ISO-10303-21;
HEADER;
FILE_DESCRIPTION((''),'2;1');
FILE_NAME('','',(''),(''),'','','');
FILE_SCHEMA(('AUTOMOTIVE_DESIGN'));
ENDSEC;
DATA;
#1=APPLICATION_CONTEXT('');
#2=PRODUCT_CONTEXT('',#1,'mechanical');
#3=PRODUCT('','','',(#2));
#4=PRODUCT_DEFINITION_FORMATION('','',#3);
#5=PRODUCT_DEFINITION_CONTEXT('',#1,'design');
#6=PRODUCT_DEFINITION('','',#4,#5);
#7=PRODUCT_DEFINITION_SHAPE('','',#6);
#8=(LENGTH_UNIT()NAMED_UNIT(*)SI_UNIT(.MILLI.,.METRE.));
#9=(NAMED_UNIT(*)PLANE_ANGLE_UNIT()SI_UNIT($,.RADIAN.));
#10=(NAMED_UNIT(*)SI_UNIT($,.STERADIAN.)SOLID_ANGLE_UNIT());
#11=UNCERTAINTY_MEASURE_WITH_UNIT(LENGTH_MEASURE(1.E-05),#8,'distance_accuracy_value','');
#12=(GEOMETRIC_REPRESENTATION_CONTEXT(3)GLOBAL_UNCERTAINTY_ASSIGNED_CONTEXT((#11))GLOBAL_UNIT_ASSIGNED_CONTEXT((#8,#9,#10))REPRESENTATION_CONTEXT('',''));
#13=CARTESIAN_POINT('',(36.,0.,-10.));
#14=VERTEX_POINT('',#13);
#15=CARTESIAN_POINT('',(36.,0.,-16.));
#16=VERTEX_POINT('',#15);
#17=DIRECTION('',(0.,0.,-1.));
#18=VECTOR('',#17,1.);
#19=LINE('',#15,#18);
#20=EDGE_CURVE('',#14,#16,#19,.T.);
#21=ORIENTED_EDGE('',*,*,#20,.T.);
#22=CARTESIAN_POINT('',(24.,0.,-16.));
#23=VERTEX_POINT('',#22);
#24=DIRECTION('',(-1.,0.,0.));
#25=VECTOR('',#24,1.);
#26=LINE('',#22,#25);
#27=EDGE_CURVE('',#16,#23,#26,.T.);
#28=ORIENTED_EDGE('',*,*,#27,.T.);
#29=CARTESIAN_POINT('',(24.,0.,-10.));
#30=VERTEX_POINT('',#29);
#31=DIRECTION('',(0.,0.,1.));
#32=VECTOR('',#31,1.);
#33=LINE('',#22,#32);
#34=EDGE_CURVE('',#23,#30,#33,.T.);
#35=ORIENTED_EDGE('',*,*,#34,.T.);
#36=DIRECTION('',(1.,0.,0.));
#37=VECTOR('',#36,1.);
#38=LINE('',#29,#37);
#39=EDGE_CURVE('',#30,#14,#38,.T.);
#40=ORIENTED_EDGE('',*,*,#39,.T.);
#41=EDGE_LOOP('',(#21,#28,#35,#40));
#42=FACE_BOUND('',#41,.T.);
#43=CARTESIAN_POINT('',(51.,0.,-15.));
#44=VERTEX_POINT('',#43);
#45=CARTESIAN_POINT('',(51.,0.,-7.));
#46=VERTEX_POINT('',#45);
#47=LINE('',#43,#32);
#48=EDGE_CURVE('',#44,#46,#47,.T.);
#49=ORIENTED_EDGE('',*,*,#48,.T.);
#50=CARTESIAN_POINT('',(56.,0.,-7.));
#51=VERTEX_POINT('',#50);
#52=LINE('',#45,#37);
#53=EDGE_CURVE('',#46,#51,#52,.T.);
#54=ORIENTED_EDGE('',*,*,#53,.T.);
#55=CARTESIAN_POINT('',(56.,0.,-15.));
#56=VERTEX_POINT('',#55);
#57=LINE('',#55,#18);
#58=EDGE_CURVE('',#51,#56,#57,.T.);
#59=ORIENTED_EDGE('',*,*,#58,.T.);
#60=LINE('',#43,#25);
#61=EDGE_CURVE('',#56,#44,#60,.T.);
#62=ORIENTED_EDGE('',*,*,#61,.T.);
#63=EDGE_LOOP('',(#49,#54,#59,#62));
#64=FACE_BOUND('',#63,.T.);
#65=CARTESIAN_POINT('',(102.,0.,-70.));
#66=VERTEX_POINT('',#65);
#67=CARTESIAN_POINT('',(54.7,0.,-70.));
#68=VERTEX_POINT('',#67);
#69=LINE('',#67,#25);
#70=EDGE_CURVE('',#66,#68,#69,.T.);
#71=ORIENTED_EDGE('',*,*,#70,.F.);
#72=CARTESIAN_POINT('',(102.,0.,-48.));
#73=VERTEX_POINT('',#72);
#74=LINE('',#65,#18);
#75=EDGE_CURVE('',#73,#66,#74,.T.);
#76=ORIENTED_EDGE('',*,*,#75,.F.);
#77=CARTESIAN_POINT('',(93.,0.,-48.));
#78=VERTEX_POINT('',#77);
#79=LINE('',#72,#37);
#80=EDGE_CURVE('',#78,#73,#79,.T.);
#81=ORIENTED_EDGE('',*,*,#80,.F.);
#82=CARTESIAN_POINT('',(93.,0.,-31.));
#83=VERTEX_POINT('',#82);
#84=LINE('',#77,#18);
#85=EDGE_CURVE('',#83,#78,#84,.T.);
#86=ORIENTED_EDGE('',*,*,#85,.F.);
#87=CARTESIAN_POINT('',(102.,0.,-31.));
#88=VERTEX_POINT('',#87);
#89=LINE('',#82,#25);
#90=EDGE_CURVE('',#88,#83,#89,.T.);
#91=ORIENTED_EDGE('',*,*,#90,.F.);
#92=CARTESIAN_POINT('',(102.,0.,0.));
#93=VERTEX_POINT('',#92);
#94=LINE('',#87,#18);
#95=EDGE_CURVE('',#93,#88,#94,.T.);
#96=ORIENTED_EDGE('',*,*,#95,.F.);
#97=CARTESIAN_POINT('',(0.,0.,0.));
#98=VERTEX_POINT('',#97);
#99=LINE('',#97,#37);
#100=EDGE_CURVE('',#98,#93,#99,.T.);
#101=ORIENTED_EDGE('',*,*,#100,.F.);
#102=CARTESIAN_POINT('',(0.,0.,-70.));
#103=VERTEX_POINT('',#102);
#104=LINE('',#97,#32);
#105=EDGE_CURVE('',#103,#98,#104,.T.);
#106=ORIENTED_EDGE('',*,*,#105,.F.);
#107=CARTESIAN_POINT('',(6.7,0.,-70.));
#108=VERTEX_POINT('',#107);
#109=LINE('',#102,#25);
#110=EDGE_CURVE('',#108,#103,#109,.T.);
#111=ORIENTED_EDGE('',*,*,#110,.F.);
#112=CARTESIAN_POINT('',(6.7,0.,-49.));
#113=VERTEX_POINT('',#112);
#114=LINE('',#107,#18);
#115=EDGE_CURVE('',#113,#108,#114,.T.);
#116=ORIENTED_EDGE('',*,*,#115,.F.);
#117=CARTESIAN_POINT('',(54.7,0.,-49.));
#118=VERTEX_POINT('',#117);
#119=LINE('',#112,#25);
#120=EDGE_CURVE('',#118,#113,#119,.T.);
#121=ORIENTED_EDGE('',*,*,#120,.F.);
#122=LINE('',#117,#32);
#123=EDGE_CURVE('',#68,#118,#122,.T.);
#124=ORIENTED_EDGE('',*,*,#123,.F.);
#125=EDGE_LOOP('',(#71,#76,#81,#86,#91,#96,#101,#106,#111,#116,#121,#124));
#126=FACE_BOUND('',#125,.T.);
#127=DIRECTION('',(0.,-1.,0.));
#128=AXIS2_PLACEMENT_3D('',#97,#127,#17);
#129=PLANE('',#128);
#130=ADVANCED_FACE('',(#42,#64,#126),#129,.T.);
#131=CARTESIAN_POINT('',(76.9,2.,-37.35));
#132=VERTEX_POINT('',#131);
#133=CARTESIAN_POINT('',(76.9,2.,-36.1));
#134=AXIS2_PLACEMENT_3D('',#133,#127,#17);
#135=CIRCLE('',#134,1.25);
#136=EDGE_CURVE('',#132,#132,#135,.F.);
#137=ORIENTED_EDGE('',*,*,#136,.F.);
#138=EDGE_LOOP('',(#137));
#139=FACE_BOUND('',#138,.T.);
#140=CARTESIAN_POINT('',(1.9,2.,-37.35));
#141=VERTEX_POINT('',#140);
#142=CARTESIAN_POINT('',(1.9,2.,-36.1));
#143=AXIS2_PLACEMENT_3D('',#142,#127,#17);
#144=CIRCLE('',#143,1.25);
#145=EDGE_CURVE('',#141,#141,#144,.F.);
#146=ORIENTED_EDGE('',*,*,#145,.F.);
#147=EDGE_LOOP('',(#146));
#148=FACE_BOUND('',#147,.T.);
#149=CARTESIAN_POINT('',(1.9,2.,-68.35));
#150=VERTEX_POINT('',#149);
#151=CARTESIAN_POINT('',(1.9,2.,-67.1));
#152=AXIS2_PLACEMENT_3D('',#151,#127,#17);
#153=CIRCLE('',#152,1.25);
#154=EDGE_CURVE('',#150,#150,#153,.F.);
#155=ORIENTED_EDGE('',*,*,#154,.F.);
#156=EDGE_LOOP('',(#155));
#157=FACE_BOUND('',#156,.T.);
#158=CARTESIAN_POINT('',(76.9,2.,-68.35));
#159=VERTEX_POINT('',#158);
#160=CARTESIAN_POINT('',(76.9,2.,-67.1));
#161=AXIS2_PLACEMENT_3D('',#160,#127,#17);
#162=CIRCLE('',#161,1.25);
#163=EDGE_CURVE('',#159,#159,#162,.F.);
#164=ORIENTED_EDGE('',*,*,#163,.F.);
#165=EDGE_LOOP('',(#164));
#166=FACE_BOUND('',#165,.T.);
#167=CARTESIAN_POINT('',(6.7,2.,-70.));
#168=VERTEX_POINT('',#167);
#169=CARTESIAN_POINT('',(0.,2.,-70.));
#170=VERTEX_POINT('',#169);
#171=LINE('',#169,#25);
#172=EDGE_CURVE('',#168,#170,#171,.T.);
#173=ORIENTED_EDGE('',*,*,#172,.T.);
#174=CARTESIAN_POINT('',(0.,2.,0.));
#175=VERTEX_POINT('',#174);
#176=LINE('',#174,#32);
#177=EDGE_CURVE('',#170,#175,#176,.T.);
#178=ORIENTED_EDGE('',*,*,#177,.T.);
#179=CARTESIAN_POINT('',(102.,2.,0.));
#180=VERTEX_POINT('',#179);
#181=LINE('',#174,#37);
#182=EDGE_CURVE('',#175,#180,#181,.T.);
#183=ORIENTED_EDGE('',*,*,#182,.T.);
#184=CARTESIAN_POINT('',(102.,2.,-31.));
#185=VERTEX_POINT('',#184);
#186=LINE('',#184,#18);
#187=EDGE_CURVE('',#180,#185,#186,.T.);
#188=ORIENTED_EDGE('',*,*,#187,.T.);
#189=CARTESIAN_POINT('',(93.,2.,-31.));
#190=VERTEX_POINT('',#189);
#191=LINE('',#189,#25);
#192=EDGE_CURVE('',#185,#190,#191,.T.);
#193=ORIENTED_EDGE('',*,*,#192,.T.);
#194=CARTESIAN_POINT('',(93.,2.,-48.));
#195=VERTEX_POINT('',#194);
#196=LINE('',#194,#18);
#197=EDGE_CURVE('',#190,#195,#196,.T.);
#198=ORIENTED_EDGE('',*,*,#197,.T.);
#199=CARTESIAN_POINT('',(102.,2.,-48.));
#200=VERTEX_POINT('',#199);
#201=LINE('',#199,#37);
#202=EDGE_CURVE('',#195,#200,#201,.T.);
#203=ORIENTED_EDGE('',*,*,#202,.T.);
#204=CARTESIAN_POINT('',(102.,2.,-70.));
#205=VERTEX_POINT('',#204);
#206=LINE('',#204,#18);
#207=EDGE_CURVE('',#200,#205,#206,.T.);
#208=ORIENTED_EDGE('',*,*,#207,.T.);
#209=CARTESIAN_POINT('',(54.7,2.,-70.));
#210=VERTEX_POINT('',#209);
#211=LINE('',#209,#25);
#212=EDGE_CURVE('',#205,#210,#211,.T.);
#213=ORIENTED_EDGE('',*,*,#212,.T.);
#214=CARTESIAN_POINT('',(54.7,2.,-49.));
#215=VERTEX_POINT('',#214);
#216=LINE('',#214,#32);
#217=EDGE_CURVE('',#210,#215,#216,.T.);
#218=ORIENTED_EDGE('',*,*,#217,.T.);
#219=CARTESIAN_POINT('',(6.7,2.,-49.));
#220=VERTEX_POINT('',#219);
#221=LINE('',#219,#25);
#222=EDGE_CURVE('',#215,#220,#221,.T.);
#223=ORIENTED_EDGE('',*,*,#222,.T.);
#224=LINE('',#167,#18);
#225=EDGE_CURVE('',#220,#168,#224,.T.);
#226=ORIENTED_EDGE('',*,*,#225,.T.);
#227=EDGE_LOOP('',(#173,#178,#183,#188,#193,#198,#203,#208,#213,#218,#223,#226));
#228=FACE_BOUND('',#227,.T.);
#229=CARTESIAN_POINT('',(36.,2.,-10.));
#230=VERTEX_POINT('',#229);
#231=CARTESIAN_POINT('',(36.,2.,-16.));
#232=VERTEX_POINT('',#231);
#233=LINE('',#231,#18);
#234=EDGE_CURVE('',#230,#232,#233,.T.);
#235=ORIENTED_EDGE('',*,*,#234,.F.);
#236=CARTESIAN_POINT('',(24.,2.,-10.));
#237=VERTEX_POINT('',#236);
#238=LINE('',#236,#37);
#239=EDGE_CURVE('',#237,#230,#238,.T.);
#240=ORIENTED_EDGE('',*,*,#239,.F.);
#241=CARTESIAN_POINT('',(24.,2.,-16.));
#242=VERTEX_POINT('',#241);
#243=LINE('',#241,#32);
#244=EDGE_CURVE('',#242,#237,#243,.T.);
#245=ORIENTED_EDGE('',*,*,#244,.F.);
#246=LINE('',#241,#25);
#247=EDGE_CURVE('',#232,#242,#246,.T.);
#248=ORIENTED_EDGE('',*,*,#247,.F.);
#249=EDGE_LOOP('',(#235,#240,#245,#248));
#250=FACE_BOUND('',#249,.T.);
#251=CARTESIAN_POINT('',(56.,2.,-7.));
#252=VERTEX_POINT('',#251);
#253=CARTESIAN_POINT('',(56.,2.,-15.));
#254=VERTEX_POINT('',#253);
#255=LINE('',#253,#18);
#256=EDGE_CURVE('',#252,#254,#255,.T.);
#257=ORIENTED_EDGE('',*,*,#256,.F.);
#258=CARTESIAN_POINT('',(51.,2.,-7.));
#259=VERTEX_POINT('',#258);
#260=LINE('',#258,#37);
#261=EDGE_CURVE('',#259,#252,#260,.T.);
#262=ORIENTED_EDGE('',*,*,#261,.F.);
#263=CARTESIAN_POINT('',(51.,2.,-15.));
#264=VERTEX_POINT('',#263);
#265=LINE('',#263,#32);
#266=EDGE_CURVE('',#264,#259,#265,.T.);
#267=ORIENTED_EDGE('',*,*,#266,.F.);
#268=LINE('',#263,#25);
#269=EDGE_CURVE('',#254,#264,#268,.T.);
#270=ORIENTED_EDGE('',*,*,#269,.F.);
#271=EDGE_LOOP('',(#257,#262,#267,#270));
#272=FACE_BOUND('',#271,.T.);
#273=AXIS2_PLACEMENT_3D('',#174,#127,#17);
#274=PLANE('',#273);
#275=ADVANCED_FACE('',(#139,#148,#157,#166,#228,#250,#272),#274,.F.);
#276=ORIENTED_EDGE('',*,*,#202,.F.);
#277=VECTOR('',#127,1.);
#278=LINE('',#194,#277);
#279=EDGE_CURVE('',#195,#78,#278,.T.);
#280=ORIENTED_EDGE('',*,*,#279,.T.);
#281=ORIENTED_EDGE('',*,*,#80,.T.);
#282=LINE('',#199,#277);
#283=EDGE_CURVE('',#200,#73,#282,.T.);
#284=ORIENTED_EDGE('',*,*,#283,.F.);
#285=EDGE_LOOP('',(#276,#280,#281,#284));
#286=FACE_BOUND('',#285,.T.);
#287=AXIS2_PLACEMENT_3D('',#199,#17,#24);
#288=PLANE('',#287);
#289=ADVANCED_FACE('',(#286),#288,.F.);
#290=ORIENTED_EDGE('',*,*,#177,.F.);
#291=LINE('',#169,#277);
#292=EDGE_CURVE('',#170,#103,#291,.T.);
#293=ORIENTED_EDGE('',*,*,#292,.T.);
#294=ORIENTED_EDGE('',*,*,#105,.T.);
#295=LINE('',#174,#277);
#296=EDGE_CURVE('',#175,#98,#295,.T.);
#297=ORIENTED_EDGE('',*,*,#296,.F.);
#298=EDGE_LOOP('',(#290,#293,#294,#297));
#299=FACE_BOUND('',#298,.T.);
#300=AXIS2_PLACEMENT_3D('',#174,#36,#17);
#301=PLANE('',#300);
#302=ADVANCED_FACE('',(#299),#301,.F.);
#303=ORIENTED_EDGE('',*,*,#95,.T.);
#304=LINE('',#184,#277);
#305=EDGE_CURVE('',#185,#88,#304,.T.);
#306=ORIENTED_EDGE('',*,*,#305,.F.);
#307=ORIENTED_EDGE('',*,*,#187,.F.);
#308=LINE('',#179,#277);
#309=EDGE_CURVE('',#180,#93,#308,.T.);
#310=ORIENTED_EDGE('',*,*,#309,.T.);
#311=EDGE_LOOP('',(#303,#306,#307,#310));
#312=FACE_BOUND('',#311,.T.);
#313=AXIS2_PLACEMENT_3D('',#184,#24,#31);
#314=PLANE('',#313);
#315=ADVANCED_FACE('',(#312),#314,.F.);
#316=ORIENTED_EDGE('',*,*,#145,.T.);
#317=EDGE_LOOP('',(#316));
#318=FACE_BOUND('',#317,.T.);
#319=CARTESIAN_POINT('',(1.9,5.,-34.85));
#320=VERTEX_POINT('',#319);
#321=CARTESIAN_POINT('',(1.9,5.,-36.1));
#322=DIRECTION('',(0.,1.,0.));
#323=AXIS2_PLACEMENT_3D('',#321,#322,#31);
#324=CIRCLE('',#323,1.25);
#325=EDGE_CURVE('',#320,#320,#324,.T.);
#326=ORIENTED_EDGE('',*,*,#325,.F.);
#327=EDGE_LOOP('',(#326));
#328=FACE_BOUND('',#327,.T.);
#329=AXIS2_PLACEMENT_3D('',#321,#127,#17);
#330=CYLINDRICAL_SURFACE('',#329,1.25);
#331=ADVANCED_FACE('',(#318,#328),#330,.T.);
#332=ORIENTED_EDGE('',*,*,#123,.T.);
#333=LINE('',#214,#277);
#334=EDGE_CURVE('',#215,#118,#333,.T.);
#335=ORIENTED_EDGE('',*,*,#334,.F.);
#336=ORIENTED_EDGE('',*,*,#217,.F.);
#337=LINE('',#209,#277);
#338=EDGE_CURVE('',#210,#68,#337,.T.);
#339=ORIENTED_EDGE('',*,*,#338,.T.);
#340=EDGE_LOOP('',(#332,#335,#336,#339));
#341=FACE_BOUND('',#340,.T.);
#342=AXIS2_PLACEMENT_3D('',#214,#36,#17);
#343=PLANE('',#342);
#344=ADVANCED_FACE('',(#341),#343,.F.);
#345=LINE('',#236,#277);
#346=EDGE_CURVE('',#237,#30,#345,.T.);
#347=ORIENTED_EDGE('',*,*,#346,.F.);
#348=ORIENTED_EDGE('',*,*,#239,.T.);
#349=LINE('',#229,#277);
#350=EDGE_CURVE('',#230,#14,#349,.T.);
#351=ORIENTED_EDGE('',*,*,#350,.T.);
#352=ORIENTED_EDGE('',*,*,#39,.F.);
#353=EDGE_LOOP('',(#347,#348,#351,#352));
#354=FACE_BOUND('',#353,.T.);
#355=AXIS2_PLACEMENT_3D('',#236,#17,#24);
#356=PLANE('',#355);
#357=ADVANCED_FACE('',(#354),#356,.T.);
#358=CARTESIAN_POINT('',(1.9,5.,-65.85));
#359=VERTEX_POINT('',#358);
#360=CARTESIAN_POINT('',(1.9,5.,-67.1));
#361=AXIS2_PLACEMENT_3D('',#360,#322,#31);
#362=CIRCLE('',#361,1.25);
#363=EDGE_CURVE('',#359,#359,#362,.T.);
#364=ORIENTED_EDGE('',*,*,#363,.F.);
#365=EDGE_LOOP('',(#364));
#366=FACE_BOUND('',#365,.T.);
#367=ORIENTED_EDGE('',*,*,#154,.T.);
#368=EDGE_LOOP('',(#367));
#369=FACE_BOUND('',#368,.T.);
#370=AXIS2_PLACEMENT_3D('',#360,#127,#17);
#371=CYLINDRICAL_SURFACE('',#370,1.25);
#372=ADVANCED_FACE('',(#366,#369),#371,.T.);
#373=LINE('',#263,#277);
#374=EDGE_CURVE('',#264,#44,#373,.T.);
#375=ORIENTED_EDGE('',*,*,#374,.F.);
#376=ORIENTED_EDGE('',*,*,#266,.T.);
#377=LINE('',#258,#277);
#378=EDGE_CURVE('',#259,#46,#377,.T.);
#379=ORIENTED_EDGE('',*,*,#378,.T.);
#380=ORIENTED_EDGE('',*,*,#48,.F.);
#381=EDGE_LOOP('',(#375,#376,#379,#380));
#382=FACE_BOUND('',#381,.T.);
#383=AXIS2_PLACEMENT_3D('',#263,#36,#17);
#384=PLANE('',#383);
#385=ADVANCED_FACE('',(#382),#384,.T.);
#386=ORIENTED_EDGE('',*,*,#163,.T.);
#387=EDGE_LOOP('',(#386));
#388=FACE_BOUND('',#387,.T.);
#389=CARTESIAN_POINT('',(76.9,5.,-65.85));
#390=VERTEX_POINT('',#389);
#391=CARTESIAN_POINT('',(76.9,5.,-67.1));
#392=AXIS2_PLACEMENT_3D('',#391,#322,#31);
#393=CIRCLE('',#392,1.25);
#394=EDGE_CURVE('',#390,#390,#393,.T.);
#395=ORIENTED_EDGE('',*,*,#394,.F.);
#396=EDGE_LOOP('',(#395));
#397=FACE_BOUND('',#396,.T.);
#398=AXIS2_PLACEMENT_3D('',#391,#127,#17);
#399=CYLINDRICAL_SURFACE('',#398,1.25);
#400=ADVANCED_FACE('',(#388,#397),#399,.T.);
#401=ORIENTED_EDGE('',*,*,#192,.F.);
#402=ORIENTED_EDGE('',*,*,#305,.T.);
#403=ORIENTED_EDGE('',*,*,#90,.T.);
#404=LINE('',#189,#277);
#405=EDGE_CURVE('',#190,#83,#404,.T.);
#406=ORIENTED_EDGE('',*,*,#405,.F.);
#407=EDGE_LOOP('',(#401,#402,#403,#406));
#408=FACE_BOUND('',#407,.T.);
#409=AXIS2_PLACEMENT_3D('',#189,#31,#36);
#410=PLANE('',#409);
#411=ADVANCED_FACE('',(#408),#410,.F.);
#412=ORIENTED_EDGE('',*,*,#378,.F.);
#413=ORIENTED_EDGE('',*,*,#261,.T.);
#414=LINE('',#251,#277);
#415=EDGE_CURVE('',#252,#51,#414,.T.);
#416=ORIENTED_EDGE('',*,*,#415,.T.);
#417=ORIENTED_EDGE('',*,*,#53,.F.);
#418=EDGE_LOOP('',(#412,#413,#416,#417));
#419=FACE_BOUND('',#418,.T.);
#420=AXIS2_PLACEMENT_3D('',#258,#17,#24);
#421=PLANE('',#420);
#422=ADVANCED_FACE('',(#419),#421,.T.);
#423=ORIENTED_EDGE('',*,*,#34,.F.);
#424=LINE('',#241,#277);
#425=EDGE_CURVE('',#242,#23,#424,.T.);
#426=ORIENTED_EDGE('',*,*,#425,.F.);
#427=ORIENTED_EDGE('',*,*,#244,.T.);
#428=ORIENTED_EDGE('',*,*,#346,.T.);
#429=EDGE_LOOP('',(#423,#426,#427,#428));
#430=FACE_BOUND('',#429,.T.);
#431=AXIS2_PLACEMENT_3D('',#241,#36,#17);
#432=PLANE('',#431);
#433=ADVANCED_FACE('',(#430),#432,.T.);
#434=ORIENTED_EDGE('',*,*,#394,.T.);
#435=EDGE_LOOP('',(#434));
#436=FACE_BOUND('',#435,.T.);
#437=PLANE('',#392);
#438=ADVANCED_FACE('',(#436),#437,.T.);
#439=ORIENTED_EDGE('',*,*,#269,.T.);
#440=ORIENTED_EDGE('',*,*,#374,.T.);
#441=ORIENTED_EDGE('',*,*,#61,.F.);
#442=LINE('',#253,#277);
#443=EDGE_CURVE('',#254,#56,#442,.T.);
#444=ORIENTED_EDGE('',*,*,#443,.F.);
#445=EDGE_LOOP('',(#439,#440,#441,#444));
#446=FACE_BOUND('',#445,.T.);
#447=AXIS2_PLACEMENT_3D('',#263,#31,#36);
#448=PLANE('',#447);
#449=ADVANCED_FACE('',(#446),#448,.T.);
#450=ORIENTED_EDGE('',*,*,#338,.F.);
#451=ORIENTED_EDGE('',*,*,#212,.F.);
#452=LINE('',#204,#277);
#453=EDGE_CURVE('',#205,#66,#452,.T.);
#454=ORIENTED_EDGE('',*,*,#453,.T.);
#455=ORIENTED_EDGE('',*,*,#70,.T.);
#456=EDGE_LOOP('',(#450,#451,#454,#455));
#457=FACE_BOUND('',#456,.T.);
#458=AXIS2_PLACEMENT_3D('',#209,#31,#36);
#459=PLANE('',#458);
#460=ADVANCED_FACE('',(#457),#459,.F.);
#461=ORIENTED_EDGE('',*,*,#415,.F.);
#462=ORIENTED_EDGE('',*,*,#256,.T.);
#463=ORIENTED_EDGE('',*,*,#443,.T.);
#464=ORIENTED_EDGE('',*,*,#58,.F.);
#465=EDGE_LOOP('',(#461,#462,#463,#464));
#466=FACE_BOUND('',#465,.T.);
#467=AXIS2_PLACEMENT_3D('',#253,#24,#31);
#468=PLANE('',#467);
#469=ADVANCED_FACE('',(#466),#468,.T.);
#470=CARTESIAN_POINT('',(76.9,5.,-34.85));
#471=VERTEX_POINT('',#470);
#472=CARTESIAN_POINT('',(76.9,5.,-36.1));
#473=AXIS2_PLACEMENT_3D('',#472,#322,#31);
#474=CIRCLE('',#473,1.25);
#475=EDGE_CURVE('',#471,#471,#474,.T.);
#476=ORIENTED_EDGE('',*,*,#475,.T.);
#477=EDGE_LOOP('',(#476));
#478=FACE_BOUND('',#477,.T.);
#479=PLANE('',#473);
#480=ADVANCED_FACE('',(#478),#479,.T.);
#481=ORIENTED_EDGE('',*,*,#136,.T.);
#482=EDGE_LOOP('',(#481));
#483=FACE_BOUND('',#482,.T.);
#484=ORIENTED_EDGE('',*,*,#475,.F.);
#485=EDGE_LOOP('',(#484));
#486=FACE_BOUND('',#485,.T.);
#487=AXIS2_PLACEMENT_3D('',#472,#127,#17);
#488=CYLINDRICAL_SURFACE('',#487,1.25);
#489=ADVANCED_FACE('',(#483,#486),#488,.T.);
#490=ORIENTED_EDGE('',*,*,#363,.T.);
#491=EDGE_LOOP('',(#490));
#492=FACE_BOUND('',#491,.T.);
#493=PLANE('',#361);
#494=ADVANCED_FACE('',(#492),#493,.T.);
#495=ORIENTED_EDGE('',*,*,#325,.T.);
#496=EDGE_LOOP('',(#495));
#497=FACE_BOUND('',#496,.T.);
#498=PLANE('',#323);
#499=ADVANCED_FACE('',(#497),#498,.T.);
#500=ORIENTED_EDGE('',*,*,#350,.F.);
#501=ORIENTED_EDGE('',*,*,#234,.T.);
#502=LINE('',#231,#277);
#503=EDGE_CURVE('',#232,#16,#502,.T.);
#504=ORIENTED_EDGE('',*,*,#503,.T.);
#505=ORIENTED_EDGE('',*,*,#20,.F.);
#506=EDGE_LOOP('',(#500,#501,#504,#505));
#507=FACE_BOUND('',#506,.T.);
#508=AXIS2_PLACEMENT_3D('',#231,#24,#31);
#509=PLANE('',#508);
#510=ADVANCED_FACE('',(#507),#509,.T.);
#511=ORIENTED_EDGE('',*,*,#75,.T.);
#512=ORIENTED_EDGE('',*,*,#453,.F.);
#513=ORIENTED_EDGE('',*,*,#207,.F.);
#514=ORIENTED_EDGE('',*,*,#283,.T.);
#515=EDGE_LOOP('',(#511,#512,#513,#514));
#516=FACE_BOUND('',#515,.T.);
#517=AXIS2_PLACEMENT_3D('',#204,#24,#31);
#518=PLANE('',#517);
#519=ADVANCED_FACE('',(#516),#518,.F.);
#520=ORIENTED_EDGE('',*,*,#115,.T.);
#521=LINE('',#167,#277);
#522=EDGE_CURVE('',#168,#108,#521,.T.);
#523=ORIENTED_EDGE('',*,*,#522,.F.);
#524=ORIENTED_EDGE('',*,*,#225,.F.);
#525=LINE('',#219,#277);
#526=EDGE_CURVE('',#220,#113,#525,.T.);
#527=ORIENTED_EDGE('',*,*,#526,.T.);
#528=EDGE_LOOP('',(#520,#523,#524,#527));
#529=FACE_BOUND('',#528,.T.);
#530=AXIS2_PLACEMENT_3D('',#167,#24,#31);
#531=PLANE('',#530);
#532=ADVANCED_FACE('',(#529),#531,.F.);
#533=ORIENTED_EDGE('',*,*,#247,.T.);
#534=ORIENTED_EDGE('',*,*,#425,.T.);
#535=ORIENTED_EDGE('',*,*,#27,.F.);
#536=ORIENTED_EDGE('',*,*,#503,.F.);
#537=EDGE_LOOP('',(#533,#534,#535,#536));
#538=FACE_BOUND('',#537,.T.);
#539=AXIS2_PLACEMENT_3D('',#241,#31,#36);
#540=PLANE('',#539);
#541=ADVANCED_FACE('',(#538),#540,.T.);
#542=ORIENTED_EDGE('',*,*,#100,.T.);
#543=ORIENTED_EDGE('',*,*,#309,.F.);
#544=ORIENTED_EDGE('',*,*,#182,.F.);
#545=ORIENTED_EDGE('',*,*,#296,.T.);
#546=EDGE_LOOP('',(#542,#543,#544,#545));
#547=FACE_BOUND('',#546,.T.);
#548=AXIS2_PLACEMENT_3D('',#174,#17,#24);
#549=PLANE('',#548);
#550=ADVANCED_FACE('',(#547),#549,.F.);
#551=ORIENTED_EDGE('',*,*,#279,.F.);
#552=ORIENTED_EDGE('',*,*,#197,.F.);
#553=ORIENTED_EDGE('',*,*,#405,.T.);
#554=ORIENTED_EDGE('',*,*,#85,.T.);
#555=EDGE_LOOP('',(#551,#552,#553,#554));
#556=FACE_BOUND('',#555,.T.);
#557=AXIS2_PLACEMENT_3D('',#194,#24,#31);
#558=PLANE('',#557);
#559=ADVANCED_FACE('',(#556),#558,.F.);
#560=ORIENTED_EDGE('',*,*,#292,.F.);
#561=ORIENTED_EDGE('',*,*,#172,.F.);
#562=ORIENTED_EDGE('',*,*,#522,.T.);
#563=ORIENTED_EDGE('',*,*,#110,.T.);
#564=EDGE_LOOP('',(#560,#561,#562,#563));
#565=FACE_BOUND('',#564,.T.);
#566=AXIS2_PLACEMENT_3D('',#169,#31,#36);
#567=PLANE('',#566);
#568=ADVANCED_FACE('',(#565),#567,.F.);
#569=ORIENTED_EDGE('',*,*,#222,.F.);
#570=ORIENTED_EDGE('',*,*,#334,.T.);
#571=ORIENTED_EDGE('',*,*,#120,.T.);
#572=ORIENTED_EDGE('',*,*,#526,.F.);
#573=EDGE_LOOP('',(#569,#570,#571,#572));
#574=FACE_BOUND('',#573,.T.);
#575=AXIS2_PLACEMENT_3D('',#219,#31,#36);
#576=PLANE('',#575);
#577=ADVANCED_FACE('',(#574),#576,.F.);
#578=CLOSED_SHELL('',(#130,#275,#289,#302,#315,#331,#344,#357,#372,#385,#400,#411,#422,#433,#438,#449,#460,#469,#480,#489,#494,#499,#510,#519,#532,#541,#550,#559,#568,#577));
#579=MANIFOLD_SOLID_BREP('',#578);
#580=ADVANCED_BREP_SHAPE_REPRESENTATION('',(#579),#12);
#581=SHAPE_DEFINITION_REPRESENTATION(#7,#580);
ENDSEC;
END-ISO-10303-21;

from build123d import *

# Parameters (mm, degrees)
CROQUIS1_W              = 12
CROQUIS1_H              = 6
CROQUIS1_W_2            = 5
CROQUIS1_H_2            = 8
SALIENTE_EXTRUIR1_DEPTH = 2
CROQUIS2_R              = 1.25
SALIENTE_EXTRUIR2_DEPTH = 3


with BuildPart() as part:
    # Croquis1 → Saliente-Extruir1 (new body)
    with BuildSketch(Plane(origin=(0, 0, 0), x_dir=(1, 0, 0), z_dir=(0, 1, 0))):
        Polygon((0, 70), (6.7, 70), (6.7, 49), (54.7, 49), (54.7, 70), (102, 70), (102, 48), (93, 48), (93, 31), (102, 31), (102, 0), (0, 0), align=None)
        with Locations((30, 13)):
            Rectangle(CROQUIS1_W, CROQUIS1_H, mode=Mode.SUBTRACT)
        with Locations((53.5, 11)):
            Rectangle(CROQUIS1_W_2, CROQUIS1_H_2, mode=Mode.SUBTRACT)
    extrude(amount=SALIENTE_EXTRUIR1_DEPTH)

    # Croquis2 → Saliente-Extruir2 (add)
    with BuildSketch(Plane(origin=(0, 2, 0), x_dir=(1, 0, 0), z_dir=(0, 1, 0))):
        with Locations((1.9, 67.1)):
            Circle(CROQUIS2_R)
        with Locations((1.9, 36.1)):
            Circle(CROQUIS2_R)
        with Locations((76.9, 36.1)):
            Circle(CROQUIS2_R)
        with Locations((76.9, 67.1)):
            Circle(CROQUIS2_R)
    extrude(amount=SALIENTE_EXTRUIR2_DEPTH)


solid = part.part
